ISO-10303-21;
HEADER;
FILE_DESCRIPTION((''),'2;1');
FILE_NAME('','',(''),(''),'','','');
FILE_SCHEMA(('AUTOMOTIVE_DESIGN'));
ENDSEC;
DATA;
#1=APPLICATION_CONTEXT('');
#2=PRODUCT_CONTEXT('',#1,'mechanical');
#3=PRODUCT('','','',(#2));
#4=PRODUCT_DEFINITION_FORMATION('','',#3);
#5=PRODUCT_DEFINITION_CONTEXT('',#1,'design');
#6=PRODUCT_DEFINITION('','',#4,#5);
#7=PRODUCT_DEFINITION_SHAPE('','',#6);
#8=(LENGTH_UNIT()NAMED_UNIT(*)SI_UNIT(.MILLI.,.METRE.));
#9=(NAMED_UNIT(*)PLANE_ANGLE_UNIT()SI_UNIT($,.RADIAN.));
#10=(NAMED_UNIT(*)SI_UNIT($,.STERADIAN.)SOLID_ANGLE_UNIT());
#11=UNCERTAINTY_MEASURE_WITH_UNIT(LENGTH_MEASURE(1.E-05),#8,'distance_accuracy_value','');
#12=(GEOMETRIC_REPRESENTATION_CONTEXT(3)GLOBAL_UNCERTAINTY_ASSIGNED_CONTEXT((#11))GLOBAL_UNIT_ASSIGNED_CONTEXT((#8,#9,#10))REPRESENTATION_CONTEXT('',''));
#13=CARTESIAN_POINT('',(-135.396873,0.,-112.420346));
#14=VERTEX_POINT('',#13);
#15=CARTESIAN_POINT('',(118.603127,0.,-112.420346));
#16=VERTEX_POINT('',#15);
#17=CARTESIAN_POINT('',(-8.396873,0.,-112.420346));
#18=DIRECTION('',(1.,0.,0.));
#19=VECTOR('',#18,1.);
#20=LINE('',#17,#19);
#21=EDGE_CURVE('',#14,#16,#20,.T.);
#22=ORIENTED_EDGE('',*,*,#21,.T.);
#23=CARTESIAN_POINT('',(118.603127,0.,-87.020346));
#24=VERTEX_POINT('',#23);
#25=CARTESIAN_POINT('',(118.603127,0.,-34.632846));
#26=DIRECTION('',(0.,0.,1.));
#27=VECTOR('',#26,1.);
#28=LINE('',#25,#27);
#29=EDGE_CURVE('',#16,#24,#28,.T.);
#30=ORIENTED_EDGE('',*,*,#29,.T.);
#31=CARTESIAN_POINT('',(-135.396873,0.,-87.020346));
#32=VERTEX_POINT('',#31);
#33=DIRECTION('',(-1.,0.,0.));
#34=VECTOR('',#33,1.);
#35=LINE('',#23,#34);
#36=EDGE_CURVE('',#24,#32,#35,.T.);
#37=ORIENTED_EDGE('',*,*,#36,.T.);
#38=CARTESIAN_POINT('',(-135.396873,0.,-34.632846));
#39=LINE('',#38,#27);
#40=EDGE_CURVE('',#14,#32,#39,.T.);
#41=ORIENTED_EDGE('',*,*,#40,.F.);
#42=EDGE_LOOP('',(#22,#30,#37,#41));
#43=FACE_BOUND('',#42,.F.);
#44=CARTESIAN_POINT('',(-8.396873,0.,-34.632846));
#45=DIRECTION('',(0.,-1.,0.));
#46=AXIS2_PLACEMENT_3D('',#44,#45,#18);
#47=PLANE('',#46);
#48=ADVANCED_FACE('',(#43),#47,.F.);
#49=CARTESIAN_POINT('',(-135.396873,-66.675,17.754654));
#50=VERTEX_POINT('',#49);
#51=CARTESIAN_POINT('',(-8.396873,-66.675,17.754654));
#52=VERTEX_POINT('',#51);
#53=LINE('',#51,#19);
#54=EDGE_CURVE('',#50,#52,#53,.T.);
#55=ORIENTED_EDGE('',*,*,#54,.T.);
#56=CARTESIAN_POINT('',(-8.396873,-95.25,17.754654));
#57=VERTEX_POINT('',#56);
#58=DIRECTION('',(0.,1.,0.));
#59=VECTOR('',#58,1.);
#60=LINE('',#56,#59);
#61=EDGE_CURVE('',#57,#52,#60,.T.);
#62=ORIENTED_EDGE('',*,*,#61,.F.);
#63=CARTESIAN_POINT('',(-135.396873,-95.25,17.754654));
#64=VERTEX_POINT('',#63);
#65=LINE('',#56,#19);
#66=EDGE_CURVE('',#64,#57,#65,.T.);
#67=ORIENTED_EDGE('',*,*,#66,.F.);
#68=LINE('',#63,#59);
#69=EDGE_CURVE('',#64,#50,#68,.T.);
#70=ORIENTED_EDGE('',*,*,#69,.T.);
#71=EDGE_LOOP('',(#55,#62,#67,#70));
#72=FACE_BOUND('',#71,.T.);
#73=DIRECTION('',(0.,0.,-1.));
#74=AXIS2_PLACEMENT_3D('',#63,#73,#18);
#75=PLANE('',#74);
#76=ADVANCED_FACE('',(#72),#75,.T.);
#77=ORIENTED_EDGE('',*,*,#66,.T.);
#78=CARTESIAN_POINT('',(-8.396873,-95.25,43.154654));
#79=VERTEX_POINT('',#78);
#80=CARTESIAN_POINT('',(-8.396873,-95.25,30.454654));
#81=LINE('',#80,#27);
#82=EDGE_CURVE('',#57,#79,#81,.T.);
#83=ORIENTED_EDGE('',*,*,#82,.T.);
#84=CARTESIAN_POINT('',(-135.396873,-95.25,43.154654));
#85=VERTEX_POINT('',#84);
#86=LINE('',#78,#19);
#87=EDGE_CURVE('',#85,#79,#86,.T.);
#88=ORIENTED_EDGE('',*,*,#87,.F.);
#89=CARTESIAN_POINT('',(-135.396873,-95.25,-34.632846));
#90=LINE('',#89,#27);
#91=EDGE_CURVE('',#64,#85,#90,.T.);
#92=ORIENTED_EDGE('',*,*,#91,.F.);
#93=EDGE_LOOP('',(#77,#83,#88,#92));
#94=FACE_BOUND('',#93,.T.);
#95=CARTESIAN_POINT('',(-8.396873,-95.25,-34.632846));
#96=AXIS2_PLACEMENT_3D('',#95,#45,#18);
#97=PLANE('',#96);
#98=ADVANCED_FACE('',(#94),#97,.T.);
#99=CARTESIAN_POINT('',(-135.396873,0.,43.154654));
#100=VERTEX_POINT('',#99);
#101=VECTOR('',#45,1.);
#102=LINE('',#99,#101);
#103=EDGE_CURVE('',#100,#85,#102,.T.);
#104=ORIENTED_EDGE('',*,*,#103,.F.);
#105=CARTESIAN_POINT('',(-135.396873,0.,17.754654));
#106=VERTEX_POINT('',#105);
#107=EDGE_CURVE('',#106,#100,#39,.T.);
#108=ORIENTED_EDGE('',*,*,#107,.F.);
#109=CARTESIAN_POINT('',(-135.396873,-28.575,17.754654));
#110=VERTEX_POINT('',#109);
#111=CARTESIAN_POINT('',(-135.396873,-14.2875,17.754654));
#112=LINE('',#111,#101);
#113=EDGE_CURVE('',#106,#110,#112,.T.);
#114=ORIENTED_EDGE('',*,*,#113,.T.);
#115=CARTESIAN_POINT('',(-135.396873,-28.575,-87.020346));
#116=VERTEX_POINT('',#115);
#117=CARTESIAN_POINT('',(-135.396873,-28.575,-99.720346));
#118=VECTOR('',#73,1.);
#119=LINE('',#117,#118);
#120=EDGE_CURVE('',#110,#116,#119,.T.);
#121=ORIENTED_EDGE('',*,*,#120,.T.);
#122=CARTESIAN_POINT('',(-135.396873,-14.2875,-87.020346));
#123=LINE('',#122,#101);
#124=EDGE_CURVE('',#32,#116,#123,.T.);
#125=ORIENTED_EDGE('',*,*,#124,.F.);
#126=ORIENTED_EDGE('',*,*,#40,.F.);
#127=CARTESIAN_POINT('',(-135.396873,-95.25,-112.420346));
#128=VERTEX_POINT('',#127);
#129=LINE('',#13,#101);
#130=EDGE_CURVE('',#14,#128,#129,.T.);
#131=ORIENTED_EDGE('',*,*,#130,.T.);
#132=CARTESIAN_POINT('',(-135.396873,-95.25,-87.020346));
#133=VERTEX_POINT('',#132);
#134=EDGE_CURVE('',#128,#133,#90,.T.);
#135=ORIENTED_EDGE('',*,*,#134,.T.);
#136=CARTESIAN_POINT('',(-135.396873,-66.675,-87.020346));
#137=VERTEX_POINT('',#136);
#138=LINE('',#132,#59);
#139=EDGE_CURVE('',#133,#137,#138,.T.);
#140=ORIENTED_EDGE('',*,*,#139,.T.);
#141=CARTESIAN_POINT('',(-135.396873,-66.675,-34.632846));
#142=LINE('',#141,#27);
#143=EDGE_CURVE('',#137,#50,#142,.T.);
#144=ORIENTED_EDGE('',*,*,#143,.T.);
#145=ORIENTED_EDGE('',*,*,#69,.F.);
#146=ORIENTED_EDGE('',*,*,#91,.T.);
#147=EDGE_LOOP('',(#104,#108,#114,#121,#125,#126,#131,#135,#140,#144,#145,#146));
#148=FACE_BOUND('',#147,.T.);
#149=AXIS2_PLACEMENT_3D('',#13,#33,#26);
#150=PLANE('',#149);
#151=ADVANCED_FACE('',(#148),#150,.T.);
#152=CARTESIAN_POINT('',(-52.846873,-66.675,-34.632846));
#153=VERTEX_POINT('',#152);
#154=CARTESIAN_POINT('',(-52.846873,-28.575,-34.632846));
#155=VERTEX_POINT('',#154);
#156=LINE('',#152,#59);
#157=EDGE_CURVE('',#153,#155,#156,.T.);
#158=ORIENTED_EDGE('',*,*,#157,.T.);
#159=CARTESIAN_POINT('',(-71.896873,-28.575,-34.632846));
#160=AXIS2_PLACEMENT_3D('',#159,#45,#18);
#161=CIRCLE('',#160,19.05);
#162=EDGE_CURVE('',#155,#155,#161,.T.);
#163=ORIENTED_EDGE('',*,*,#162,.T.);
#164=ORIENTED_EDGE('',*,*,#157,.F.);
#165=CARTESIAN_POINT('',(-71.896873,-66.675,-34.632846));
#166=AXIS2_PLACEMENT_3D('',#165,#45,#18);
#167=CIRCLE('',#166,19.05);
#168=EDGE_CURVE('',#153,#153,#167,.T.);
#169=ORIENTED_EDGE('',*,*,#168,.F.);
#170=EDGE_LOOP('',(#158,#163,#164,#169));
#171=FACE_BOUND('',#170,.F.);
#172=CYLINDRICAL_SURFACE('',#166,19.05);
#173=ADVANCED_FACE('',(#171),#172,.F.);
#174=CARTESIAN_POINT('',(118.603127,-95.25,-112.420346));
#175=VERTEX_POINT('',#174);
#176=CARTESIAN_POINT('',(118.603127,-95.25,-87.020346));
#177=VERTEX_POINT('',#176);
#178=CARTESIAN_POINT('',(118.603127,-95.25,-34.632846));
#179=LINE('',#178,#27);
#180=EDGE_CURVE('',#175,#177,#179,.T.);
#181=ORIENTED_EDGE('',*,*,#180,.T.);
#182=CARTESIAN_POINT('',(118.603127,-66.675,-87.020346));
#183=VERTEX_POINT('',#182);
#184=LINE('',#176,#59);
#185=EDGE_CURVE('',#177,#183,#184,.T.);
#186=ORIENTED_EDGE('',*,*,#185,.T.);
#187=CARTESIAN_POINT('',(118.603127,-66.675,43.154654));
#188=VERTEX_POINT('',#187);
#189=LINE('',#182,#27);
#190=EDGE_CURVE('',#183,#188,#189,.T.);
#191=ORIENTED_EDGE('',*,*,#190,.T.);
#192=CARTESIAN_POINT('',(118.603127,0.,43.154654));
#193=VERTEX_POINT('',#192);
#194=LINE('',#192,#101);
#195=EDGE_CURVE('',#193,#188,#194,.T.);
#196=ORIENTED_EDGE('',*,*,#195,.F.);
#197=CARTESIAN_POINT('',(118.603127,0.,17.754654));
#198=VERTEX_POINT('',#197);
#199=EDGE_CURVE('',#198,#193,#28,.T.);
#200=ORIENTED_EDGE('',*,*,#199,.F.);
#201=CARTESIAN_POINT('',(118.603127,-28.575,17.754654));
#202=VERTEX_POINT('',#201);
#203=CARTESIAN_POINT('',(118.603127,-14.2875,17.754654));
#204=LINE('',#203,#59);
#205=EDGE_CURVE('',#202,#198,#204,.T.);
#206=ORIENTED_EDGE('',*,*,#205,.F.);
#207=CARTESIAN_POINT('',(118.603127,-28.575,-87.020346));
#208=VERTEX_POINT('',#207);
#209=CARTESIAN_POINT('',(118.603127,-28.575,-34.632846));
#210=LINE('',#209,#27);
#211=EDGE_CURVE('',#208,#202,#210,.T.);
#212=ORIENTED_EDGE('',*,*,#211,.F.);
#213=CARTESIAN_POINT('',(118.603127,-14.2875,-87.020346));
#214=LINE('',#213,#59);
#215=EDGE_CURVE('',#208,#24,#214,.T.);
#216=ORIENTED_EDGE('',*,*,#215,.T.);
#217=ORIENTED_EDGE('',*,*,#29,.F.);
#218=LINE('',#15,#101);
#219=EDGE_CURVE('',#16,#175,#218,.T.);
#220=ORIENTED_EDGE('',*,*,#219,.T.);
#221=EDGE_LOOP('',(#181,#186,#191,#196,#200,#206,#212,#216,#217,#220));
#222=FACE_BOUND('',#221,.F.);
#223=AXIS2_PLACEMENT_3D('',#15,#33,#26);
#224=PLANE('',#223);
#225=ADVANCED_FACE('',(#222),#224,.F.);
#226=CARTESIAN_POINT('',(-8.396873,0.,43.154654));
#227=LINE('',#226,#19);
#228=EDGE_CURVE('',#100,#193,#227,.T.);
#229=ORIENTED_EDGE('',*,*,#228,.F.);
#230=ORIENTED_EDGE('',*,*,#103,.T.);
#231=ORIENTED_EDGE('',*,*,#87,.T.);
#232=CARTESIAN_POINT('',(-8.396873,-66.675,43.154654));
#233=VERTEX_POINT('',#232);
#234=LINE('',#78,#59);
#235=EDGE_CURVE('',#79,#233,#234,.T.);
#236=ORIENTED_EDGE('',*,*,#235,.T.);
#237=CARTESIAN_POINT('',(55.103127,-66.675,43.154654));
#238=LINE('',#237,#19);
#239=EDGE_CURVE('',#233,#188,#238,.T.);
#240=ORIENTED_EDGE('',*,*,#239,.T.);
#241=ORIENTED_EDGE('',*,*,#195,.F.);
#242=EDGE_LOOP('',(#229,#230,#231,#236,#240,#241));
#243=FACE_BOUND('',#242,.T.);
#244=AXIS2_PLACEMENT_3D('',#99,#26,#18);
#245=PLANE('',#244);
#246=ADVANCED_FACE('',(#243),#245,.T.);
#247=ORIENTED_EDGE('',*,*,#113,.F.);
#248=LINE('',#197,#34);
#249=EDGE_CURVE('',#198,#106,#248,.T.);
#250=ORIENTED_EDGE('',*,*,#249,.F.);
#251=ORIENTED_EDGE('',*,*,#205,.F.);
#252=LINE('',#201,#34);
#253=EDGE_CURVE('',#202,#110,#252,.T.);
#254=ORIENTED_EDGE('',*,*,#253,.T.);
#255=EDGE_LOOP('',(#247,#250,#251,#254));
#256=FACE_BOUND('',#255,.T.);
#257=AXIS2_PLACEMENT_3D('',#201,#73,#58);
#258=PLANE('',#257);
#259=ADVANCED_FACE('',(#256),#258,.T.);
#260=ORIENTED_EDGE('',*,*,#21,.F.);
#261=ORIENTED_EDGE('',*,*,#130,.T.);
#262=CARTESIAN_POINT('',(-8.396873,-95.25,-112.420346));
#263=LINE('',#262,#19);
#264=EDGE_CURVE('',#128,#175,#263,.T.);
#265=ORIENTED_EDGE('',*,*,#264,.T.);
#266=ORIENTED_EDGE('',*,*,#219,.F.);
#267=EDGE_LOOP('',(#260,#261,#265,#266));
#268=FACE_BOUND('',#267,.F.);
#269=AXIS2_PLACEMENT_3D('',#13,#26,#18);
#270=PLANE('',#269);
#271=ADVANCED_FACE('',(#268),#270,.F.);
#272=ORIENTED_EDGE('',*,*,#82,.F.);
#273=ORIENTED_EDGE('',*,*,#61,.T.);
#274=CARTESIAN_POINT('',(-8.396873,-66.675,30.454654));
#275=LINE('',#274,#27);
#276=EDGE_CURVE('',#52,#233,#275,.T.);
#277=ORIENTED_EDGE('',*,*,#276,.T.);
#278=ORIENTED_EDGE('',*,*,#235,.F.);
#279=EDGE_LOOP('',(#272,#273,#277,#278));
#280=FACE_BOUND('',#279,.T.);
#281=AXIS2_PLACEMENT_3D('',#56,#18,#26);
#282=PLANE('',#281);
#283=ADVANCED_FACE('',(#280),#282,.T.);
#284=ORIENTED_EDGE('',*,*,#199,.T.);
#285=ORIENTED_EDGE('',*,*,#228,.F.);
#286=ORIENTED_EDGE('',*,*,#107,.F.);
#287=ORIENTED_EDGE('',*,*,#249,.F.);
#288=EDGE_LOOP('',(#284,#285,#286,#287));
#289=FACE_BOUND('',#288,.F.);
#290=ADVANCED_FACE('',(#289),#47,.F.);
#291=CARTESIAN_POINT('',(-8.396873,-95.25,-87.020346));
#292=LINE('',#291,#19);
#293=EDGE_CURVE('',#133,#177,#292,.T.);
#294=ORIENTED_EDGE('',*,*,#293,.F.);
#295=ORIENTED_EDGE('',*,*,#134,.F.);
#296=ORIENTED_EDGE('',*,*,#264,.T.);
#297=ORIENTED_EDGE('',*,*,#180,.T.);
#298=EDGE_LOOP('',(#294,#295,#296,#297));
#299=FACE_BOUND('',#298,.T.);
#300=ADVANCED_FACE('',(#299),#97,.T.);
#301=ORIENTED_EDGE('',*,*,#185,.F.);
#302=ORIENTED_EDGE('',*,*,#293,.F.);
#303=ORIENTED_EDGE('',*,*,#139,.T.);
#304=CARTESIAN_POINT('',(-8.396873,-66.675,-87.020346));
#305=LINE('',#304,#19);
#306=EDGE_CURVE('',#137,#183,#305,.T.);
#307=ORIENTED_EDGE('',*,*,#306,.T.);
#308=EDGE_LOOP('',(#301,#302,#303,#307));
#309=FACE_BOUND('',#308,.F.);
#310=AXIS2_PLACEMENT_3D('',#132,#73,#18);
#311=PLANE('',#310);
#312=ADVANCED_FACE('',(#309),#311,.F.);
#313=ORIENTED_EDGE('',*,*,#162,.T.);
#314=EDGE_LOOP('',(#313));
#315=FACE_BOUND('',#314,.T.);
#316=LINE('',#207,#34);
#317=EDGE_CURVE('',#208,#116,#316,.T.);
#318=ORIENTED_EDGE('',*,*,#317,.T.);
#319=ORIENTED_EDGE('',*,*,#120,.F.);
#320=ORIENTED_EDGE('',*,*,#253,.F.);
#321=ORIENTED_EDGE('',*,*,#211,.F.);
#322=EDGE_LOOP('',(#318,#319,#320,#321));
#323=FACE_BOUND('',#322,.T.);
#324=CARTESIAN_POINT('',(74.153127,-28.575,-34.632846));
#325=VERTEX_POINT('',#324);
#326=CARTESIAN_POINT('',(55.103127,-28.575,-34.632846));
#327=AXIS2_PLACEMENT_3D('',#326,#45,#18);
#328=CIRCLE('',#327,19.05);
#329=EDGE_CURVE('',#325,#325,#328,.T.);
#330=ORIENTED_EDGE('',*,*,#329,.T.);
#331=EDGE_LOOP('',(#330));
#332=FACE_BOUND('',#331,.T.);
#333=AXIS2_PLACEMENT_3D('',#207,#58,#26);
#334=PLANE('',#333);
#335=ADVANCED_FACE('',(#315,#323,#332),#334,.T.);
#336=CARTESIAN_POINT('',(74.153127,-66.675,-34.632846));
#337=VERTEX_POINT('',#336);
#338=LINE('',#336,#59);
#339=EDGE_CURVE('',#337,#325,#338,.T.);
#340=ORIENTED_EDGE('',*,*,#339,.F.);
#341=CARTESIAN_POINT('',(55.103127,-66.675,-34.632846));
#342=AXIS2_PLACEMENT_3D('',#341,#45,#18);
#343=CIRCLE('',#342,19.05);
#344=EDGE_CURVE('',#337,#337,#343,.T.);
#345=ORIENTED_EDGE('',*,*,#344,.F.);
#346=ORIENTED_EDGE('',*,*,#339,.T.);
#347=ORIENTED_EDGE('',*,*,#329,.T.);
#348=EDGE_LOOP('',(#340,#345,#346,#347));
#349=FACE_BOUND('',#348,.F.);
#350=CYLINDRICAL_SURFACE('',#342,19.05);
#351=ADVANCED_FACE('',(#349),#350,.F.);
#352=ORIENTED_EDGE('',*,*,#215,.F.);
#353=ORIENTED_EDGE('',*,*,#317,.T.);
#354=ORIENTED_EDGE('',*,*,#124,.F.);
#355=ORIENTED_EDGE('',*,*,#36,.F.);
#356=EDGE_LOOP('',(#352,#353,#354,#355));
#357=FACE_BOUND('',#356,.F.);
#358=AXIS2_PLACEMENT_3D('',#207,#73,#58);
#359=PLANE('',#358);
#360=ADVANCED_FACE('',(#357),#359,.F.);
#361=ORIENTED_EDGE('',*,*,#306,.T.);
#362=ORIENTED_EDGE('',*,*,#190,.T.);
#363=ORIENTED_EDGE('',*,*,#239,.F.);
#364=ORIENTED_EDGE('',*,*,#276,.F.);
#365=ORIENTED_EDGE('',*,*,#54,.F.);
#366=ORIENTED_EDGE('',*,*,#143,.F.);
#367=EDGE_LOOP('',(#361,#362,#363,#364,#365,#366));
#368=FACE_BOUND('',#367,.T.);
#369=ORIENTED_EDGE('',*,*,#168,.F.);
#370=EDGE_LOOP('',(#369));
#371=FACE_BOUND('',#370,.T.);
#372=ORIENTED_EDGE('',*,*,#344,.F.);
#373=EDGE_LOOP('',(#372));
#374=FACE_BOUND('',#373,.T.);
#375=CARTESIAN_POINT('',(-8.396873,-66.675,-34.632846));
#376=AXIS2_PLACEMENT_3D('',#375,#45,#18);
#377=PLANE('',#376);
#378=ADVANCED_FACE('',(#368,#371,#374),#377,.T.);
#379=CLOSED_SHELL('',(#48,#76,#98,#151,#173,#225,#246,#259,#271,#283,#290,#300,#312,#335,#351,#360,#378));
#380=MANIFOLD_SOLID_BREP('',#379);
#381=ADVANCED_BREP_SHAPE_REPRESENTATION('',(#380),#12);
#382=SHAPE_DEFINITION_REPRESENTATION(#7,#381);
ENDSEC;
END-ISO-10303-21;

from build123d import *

# Parameters (mm, degrees)
F0_W     = 254
F0_H     = 155.575
F1_DEPTH = 95.25
F2_W     = 254
F2_H     = 104.775
F3_DEPTH = 28.575
F4_W     = 127
F4_H     = 25.4
F5_DEPTH = 28.575
F6_R     = 19.05
F7_DEPTH = 66.676
F8_W     = 28.575
F8_H     = 104.775
F9_DEPTH = 254.001


with BuildPart() as f1:
    # F0 (on Front) → F1 (new body)
    with BuildSketch(Plane.XZ):
        with Locations((-8.396873, -34.632846)):
            Rectangle(F0_W, F0_H)
    extrude(amount=F1_DEPTH)

    # F2 (on face) → F3 (cut)
    with BuildSketch(Plane.XZ.offset(95.25)):
        with Locations((-8.396873, -34.632846)):
            Rectangle(F2_W, F2_H)
    extrude(amount=-F3_DEPTH, mode=Mode.SUBTRACT)

    # F4 (on face) → F5 (cut)
    with BuildSketch(Plane.XZ.offset(95.25)):
        with Locations((55.103127, 30.454654)):
            Rectangle(F4_W, F4_H)
    extrude(amount=-F5_DEPTH, mode=Mode.SUBTRACT)

    # F6 (on face) → F7 (cut, through all)
    with BuildSketch(Plane.XZ.offset(66.675)):
        with Locations((55.103127, -34.632846)):
            Circle(F6_R)
        with Locations((-71.896873, -34.632846)):
            Circle(F6_R)
    extrude(amount=-F7_DEPTH, mode=Mode.SUBTRACT)

    # F8 (on face) → F9 (cut, through all)
    with BuildSketch(Plane.YZ.offset(118.603127)):
        with Locations((-14.2875, -34.632846)):
            Rectangle(F8_W, F8_H)
    extrude(amount=-F9_DEPTH, mode=Mode.SUBTRACT)


solid = f1.part
